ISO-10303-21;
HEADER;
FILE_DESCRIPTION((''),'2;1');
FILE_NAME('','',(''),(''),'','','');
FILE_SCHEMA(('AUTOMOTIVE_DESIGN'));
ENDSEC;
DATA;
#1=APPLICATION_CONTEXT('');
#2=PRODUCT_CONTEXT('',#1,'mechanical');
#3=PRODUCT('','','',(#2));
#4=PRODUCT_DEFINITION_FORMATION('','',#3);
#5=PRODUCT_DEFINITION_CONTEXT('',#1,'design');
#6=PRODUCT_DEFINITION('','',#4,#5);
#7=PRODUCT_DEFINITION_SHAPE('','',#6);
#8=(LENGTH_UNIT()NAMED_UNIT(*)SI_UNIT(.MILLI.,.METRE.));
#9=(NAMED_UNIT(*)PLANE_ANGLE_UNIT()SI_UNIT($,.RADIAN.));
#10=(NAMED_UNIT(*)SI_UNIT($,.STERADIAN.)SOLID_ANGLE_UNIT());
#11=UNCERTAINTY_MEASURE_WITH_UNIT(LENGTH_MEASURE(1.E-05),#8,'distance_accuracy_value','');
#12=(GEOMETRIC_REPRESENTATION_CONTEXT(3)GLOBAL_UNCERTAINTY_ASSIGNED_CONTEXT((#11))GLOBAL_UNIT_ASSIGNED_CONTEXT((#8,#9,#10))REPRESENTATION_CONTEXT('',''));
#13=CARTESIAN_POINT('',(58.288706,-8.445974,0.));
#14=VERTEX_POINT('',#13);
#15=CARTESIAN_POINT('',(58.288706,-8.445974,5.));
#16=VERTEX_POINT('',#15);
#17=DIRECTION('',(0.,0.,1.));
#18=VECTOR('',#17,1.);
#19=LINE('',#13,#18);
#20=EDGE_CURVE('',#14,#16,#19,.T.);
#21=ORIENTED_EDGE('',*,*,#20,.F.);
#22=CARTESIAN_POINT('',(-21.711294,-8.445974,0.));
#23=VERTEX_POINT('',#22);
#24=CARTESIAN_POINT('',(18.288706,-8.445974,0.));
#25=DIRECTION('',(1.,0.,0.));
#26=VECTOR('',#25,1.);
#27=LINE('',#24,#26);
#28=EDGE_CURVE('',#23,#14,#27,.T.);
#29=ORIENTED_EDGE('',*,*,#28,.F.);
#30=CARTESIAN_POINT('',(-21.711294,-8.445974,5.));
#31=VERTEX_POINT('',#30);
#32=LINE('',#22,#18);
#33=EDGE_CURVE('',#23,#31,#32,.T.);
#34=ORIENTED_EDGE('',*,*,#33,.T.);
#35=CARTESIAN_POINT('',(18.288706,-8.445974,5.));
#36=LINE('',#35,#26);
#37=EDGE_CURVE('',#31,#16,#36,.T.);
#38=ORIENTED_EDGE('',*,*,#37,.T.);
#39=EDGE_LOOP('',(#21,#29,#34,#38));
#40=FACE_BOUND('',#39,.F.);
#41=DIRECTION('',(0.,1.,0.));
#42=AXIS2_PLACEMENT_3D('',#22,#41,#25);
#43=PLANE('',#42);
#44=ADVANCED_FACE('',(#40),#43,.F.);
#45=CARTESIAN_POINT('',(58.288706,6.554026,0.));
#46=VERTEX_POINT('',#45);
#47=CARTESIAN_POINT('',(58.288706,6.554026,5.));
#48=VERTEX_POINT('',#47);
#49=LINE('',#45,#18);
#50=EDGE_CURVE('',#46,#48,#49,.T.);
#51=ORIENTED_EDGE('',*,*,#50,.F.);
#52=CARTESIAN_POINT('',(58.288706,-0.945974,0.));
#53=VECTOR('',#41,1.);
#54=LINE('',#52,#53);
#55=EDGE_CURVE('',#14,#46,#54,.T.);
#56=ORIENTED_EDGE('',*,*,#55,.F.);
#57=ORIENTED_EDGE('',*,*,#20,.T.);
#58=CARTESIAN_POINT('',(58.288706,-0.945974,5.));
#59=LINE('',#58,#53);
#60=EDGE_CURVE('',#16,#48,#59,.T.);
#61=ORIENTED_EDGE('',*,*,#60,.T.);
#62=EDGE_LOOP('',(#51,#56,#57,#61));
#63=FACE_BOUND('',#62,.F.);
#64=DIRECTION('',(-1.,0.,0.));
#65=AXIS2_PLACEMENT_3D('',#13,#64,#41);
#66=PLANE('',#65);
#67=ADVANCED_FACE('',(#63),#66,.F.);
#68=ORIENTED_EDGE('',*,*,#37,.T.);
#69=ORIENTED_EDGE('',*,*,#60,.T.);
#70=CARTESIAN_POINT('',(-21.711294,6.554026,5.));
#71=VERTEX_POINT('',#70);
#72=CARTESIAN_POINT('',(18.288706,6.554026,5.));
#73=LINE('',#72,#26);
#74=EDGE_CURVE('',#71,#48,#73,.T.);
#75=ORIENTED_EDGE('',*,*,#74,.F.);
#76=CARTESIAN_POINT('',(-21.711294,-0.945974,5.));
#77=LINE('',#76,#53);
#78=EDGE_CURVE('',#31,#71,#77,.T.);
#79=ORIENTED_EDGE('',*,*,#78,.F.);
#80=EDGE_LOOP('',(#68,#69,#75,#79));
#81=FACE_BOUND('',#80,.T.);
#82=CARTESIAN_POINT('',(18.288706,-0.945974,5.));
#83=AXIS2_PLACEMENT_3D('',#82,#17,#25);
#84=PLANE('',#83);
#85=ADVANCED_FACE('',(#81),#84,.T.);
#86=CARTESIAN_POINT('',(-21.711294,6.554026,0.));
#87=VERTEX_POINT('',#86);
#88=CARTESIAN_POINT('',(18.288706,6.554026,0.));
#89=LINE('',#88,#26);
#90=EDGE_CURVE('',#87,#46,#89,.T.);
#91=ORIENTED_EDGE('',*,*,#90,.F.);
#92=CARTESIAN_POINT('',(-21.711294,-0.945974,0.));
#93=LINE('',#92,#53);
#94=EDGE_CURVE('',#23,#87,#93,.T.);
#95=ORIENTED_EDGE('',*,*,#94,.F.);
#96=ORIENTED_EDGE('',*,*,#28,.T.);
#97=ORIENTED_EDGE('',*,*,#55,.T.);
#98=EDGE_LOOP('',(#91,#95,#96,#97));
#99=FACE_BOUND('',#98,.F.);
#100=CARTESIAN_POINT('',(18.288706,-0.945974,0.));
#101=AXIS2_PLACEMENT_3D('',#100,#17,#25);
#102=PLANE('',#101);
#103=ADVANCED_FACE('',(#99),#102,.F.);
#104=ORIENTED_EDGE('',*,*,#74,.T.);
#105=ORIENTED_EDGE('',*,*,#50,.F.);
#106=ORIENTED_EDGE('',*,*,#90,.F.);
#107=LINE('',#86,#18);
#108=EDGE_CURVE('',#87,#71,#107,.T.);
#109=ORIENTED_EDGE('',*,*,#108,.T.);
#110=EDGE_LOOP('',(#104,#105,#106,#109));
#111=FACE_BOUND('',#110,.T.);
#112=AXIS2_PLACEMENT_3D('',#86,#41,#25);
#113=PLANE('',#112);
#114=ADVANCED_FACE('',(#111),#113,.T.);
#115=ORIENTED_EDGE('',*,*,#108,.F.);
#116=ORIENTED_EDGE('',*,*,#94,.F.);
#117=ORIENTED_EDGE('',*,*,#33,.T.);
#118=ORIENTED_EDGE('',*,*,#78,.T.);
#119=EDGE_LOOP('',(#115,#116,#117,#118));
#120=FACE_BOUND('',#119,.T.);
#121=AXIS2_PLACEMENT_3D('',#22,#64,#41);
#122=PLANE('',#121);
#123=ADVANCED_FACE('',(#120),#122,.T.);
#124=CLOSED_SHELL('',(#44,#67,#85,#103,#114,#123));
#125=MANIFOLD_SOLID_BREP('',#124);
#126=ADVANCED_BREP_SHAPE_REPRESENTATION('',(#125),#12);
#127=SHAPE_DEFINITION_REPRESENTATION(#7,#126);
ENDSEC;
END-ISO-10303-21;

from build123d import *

# Parameters (mm, degrees)
SKETCH_W  = 80
SKETCH_H  = 15
PAD_DEPTH = 5


with BuildPart() as part:
    # Sketch → Pad (new body)
    with BuildSketch(Plane.XY):
        with Locations((18.288706, -0.945974)):
            Rectangle(SKETCH_W, SKETCH_H)
    extrude(amount=PAD_DEPTH)


solid = part.part
